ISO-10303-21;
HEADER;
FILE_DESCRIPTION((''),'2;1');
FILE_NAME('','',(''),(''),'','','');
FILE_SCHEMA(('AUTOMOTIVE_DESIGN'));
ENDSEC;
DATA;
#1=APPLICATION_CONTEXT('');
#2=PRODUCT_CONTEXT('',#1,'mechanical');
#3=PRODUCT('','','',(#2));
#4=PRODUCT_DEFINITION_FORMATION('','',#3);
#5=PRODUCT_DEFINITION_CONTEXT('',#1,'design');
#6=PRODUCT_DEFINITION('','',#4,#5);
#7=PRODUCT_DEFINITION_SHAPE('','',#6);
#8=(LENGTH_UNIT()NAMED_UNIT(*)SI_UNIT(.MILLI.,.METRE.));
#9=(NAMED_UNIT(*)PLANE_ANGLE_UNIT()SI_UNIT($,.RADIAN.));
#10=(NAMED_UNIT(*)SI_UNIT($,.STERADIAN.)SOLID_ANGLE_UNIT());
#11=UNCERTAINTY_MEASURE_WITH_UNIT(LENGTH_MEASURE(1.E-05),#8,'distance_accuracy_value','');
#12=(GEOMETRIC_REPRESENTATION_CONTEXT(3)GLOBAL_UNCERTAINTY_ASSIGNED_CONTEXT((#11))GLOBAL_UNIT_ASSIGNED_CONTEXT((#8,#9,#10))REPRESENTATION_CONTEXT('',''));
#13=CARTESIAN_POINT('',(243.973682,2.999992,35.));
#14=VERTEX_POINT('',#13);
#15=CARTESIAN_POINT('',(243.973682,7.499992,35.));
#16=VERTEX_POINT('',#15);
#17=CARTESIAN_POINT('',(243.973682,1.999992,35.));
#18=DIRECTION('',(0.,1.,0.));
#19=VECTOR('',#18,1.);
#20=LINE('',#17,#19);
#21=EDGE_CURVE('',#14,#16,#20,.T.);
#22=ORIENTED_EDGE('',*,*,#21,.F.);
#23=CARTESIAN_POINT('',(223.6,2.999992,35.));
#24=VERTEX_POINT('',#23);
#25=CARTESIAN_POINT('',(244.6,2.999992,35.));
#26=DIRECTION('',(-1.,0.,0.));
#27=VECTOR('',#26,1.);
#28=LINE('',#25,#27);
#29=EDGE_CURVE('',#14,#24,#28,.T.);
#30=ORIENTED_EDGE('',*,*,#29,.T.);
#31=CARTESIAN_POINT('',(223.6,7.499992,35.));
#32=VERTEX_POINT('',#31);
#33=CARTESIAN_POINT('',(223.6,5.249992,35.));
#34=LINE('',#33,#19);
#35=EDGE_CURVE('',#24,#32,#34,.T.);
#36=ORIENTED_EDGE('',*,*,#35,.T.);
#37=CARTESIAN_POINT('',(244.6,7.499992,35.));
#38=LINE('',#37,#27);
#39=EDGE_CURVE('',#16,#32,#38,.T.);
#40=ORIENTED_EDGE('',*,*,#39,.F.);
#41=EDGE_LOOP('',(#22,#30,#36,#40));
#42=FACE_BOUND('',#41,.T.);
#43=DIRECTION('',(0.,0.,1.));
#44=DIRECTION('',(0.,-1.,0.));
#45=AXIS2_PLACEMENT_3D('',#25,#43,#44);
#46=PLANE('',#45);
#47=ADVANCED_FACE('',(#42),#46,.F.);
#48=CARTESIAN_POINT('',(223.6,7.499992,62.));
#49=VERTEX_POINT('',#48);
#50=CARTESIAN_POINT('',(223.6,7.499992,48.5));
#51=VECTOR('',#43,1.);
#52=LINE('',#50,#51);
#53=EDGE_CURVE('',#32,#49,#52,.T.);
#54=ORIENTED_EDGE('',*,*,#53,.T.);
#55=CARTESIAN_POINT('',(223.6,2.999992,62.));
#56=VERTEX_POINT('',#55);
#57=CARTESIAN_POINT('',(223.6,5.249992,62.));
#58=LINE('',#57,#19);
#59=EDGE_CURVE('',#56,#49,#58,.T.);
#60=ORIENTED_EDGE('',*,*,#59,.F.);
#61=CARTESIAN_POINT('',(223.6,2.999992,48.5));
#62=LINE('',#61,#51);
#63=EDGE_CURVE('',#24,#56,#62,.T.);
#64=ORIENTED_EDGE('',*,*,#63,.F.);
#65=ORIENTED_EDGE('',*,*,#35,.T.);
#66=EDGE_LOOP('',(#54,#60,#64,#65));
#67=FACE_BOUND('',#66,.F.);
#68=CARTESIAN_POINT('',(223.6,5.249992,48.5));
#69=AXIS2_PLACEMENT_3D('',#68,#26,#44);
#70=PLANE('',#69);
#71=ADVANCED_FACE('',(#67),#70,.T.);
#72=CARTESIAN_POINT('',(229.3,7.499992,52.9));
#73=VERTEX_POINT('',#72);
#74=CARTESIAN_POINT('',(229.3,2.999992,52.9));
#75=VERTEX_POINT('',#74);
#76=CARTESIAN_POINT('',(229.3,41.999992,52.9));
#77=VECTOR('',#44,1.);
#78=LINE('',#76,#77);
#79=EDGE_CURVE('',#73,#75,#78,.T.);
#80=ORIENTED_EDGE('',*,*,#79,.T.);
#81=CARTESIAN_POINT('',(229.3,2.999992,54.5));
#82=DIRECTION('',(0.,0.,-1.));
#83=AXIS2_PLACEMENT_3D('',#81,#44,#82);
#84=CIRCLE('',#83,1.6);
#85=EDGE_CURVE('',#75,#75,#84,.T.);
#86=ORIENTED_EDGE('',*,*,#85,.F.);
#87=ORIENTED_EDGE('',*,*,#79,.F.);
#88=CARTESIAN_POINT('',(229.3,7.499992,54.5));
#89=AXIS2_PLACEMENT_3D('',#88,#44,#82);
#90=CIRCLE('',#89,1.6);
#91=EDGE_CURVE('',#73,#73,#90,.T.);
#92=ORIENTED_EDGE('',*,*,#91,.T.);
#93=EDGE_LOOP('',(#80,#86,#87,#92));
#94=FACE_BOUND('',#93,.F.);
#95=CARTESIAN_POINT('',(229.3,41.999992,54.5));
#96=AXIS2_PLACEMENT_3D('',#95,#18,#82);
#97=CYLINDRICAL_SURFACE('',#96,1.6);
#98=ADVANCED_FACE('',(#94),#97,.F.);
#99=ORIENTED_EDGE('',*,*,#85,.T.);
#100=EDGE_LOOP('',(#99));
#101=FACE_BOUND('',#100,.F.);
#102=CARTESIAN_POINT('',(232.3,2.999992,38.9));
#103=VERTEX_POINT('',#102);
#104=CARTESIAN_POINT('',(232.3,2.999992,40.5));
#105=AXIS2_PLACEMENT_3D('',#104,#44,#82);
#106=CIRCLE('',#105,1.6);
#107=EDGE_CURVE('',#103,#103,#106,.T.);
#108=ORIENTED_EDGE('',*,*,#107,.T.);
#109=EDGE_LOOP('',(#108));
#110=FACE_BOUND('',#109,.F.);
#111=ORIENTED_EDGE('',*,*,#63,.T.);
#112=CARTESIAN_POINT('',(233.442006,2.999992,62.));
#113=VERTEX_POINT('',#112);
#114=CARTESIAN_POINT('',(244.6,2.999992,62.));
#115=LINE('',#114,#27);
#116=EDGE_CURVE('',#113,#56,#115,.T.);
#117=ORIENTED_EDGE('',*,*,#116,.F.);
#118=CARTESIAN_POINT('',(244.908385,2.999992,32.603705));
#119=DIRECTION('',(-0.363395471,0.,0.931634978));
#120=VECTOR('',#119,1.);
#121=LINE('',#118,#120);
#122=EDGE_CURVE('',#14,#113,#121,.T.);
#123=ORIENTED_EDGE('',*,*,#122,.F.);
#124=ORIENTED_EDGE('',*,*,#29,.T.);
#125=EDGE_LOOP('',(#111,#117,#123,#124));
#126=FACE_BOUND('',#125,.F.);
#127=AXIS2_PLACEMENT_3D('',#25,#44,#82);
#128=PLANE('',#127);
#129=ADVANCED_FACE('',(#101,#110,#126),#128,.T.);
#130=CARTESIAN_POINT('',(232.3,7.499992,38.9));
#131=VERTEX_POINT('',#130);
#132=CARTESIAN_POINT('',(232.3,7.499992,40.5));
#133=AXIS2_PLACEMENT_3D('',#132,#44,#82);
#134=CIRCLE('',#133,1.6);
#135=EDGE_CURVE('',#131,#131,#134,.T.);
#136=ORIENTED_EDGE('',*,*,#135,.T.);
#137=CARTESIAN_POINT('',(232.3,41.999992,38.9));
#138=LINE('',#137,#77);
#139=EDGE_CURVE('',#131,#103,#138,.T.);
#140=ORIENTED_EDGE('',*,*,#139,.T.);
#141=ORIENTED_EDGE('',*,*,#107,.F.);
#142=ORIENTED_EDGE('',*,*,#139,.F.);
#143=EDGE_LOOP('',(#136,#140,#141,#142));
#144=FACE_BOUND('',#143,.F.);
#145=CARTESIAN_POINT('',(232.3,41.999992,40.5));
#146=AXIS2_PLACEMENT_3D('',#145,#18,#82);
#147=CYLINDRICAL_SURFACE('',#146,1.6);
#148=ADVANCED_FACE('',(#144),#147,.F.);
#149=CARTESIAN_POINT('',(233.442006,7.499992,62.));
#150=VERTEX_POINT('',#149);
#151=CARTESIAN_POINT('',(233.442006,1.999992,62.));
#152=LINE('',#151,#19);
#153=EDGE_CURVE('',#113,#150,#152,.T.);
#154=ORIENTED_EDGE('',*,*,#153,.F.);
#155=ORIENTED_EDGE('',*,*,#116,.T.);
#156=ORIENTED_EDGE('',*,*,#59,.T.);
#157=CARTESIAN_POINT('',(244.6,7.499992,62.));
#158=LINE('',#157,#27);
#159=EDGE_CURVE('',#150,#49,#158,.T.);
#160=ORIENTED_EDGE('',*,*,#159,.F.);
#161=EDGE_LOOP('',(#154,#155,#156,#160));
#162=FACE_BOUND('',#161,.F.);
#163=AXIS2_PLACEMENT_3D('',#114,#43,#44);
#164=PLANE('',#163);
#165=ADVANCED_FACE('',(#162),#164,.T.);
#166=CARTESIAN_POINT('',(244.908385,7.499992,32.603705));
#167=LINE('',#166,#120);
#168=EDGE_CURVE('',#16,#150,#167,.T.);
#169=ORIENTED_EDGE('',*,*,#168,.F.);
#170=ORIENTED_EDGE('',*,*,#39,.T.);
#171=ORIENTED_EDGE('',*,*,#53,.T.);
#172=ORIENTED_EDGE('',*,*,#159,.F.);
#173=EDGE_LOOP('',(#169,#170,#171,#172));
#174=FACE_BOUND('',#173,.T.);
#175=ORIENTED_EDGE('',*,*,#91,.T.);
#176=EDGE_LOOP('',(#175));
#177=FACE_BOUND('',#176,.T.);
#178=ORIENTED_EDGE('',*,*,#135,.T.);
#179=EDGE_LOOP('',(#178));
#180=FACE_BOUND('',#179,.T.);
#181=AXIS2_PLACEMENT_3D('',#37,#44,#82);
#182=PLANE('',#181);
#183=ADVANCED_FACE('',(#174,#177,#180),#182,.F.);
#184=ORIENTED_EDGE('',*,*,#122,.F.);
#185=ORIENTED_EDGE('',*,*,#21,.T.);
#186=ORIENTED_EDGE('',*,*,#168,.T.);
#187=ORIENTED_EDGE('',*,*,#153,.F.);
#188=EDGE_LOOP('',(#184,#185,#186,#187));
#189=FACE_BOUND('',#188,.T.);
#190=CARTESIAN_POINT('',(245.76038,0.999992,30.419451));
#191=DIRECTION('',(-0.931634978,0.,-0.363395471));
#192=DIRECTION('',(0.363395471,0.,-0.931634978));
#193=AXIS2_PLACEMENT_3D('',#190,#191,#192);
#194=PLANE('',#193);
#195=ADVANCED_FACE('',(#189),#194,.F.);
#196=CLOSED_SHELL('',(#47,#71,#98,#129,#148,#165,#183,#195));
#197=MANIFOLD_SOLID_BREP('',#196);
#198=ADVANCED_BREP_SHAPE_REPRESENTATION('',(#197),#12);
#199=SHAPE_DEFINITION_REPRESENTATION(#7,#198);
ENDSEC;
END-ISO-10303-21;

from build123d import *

# Parameters (mm, degrees)
CYLINDER125_R                     = 1.6
CYLINDER125_DEPTH                 = 40
CYLINDER126_R                     = 1.6
CYLINDER126_DEPTH                 = 40
EXTRUDE051_DEPTH                  = 10
SKETCH042_W                       = 4.5
SKETCH042_H                       = 27
EXTRUDE052_DEPTH                  = 21
PART_MIRRORING001_PLACEMENT_ANGLE = 180


with BuildPart() as cylinder125:
    # Cylinder125 → Cylinder125 (new body)
    with BuildSketch(Plane(origin=(5.3, 42, 40.5), x_dir=(0, 0, -1), z_dir=(0, -1, 0))):
        Circle(CYLINDER125_R)
    extrude(amount=CYLINDER125_DEPTH)


with BuildPart() as cylinder126:
    # Cylinder126 → Cylinder126 (new body)
    with BuildSketch(Plane(origin=(8.3, 42, 54.5), x_dir=(0, 0, -1), z_dir=(0, -1, 0))):
        Circle(CYLINDER126_R)
    extrude(amount=CYLINDER126_DEPTH)


with BuildPart() as extrude051:
    # Sketch041 → Extrude051 (new body)
    with BuildSketch(Plane.XZ):
        Polygon((-8.16038, 62.64716), (-8.16038, 30.419451), (4.410427, 62.64716), align=None)
    extrude(amount=-EXTRUDE051_DEPTH)


with BuildPart() as extrude051_1:
    # Extrude051 placement: moved
    add(extrude051.part.moved(Location((0, 8, 0))))


with BuildPart() as cut134:
    # Sketch042 → Extrude052 (new body)
    with BuildSketch(Plane.YZ):
        with Locations((12.25, 48.5)):
            Rectangle(SKETCH042_W, SKETCH042_H)
    extrude(amount=EXTRUDE052_DEPTH)


with BuildPart() as cut134_1:
    # Extrude052 placement: moved
    add(cut134.part.moved(Location((-7, 0, 0))))

    # Cut128: cut Extrude051
    add(extrude051_1.part, mode=Mode.SUBTRACT)


with BuildPart() as cut134_2:
    # Cut128 placement: moved
    add(cut134_1.part.moved(Location((0, -7, 0))))

    # Cut133: cut Cylinder126
    add(cylinder126.part, mode=Mode.SUBTRACT)

    # Cut134: cut Cylinder125
    add(cylinder125.part, mode=Mode.SUBTRACT)


with BuildPart() as part_mirroring001:
    # Part__Mirroring001: instance of Cut134
    add(cut134_2.part.mirror(Plane(origin=(3.813159, 4e-06, 48.5), x_dir=(1, 0, 0), z_dir=(0, 1, 0))))


with BuildPart() as part_mirroring001_1:
    # Part__Mirroring001 placement: moved
    add(part_mirroring001.part.moved(Location((237.6, 0, 0))).rotate(Axis((237.6, 0, 0), (0, 0, 1)), PART_MIRRORING001_PLACEMENT_ANGLE))


solid = part_mirroring001_1.part
